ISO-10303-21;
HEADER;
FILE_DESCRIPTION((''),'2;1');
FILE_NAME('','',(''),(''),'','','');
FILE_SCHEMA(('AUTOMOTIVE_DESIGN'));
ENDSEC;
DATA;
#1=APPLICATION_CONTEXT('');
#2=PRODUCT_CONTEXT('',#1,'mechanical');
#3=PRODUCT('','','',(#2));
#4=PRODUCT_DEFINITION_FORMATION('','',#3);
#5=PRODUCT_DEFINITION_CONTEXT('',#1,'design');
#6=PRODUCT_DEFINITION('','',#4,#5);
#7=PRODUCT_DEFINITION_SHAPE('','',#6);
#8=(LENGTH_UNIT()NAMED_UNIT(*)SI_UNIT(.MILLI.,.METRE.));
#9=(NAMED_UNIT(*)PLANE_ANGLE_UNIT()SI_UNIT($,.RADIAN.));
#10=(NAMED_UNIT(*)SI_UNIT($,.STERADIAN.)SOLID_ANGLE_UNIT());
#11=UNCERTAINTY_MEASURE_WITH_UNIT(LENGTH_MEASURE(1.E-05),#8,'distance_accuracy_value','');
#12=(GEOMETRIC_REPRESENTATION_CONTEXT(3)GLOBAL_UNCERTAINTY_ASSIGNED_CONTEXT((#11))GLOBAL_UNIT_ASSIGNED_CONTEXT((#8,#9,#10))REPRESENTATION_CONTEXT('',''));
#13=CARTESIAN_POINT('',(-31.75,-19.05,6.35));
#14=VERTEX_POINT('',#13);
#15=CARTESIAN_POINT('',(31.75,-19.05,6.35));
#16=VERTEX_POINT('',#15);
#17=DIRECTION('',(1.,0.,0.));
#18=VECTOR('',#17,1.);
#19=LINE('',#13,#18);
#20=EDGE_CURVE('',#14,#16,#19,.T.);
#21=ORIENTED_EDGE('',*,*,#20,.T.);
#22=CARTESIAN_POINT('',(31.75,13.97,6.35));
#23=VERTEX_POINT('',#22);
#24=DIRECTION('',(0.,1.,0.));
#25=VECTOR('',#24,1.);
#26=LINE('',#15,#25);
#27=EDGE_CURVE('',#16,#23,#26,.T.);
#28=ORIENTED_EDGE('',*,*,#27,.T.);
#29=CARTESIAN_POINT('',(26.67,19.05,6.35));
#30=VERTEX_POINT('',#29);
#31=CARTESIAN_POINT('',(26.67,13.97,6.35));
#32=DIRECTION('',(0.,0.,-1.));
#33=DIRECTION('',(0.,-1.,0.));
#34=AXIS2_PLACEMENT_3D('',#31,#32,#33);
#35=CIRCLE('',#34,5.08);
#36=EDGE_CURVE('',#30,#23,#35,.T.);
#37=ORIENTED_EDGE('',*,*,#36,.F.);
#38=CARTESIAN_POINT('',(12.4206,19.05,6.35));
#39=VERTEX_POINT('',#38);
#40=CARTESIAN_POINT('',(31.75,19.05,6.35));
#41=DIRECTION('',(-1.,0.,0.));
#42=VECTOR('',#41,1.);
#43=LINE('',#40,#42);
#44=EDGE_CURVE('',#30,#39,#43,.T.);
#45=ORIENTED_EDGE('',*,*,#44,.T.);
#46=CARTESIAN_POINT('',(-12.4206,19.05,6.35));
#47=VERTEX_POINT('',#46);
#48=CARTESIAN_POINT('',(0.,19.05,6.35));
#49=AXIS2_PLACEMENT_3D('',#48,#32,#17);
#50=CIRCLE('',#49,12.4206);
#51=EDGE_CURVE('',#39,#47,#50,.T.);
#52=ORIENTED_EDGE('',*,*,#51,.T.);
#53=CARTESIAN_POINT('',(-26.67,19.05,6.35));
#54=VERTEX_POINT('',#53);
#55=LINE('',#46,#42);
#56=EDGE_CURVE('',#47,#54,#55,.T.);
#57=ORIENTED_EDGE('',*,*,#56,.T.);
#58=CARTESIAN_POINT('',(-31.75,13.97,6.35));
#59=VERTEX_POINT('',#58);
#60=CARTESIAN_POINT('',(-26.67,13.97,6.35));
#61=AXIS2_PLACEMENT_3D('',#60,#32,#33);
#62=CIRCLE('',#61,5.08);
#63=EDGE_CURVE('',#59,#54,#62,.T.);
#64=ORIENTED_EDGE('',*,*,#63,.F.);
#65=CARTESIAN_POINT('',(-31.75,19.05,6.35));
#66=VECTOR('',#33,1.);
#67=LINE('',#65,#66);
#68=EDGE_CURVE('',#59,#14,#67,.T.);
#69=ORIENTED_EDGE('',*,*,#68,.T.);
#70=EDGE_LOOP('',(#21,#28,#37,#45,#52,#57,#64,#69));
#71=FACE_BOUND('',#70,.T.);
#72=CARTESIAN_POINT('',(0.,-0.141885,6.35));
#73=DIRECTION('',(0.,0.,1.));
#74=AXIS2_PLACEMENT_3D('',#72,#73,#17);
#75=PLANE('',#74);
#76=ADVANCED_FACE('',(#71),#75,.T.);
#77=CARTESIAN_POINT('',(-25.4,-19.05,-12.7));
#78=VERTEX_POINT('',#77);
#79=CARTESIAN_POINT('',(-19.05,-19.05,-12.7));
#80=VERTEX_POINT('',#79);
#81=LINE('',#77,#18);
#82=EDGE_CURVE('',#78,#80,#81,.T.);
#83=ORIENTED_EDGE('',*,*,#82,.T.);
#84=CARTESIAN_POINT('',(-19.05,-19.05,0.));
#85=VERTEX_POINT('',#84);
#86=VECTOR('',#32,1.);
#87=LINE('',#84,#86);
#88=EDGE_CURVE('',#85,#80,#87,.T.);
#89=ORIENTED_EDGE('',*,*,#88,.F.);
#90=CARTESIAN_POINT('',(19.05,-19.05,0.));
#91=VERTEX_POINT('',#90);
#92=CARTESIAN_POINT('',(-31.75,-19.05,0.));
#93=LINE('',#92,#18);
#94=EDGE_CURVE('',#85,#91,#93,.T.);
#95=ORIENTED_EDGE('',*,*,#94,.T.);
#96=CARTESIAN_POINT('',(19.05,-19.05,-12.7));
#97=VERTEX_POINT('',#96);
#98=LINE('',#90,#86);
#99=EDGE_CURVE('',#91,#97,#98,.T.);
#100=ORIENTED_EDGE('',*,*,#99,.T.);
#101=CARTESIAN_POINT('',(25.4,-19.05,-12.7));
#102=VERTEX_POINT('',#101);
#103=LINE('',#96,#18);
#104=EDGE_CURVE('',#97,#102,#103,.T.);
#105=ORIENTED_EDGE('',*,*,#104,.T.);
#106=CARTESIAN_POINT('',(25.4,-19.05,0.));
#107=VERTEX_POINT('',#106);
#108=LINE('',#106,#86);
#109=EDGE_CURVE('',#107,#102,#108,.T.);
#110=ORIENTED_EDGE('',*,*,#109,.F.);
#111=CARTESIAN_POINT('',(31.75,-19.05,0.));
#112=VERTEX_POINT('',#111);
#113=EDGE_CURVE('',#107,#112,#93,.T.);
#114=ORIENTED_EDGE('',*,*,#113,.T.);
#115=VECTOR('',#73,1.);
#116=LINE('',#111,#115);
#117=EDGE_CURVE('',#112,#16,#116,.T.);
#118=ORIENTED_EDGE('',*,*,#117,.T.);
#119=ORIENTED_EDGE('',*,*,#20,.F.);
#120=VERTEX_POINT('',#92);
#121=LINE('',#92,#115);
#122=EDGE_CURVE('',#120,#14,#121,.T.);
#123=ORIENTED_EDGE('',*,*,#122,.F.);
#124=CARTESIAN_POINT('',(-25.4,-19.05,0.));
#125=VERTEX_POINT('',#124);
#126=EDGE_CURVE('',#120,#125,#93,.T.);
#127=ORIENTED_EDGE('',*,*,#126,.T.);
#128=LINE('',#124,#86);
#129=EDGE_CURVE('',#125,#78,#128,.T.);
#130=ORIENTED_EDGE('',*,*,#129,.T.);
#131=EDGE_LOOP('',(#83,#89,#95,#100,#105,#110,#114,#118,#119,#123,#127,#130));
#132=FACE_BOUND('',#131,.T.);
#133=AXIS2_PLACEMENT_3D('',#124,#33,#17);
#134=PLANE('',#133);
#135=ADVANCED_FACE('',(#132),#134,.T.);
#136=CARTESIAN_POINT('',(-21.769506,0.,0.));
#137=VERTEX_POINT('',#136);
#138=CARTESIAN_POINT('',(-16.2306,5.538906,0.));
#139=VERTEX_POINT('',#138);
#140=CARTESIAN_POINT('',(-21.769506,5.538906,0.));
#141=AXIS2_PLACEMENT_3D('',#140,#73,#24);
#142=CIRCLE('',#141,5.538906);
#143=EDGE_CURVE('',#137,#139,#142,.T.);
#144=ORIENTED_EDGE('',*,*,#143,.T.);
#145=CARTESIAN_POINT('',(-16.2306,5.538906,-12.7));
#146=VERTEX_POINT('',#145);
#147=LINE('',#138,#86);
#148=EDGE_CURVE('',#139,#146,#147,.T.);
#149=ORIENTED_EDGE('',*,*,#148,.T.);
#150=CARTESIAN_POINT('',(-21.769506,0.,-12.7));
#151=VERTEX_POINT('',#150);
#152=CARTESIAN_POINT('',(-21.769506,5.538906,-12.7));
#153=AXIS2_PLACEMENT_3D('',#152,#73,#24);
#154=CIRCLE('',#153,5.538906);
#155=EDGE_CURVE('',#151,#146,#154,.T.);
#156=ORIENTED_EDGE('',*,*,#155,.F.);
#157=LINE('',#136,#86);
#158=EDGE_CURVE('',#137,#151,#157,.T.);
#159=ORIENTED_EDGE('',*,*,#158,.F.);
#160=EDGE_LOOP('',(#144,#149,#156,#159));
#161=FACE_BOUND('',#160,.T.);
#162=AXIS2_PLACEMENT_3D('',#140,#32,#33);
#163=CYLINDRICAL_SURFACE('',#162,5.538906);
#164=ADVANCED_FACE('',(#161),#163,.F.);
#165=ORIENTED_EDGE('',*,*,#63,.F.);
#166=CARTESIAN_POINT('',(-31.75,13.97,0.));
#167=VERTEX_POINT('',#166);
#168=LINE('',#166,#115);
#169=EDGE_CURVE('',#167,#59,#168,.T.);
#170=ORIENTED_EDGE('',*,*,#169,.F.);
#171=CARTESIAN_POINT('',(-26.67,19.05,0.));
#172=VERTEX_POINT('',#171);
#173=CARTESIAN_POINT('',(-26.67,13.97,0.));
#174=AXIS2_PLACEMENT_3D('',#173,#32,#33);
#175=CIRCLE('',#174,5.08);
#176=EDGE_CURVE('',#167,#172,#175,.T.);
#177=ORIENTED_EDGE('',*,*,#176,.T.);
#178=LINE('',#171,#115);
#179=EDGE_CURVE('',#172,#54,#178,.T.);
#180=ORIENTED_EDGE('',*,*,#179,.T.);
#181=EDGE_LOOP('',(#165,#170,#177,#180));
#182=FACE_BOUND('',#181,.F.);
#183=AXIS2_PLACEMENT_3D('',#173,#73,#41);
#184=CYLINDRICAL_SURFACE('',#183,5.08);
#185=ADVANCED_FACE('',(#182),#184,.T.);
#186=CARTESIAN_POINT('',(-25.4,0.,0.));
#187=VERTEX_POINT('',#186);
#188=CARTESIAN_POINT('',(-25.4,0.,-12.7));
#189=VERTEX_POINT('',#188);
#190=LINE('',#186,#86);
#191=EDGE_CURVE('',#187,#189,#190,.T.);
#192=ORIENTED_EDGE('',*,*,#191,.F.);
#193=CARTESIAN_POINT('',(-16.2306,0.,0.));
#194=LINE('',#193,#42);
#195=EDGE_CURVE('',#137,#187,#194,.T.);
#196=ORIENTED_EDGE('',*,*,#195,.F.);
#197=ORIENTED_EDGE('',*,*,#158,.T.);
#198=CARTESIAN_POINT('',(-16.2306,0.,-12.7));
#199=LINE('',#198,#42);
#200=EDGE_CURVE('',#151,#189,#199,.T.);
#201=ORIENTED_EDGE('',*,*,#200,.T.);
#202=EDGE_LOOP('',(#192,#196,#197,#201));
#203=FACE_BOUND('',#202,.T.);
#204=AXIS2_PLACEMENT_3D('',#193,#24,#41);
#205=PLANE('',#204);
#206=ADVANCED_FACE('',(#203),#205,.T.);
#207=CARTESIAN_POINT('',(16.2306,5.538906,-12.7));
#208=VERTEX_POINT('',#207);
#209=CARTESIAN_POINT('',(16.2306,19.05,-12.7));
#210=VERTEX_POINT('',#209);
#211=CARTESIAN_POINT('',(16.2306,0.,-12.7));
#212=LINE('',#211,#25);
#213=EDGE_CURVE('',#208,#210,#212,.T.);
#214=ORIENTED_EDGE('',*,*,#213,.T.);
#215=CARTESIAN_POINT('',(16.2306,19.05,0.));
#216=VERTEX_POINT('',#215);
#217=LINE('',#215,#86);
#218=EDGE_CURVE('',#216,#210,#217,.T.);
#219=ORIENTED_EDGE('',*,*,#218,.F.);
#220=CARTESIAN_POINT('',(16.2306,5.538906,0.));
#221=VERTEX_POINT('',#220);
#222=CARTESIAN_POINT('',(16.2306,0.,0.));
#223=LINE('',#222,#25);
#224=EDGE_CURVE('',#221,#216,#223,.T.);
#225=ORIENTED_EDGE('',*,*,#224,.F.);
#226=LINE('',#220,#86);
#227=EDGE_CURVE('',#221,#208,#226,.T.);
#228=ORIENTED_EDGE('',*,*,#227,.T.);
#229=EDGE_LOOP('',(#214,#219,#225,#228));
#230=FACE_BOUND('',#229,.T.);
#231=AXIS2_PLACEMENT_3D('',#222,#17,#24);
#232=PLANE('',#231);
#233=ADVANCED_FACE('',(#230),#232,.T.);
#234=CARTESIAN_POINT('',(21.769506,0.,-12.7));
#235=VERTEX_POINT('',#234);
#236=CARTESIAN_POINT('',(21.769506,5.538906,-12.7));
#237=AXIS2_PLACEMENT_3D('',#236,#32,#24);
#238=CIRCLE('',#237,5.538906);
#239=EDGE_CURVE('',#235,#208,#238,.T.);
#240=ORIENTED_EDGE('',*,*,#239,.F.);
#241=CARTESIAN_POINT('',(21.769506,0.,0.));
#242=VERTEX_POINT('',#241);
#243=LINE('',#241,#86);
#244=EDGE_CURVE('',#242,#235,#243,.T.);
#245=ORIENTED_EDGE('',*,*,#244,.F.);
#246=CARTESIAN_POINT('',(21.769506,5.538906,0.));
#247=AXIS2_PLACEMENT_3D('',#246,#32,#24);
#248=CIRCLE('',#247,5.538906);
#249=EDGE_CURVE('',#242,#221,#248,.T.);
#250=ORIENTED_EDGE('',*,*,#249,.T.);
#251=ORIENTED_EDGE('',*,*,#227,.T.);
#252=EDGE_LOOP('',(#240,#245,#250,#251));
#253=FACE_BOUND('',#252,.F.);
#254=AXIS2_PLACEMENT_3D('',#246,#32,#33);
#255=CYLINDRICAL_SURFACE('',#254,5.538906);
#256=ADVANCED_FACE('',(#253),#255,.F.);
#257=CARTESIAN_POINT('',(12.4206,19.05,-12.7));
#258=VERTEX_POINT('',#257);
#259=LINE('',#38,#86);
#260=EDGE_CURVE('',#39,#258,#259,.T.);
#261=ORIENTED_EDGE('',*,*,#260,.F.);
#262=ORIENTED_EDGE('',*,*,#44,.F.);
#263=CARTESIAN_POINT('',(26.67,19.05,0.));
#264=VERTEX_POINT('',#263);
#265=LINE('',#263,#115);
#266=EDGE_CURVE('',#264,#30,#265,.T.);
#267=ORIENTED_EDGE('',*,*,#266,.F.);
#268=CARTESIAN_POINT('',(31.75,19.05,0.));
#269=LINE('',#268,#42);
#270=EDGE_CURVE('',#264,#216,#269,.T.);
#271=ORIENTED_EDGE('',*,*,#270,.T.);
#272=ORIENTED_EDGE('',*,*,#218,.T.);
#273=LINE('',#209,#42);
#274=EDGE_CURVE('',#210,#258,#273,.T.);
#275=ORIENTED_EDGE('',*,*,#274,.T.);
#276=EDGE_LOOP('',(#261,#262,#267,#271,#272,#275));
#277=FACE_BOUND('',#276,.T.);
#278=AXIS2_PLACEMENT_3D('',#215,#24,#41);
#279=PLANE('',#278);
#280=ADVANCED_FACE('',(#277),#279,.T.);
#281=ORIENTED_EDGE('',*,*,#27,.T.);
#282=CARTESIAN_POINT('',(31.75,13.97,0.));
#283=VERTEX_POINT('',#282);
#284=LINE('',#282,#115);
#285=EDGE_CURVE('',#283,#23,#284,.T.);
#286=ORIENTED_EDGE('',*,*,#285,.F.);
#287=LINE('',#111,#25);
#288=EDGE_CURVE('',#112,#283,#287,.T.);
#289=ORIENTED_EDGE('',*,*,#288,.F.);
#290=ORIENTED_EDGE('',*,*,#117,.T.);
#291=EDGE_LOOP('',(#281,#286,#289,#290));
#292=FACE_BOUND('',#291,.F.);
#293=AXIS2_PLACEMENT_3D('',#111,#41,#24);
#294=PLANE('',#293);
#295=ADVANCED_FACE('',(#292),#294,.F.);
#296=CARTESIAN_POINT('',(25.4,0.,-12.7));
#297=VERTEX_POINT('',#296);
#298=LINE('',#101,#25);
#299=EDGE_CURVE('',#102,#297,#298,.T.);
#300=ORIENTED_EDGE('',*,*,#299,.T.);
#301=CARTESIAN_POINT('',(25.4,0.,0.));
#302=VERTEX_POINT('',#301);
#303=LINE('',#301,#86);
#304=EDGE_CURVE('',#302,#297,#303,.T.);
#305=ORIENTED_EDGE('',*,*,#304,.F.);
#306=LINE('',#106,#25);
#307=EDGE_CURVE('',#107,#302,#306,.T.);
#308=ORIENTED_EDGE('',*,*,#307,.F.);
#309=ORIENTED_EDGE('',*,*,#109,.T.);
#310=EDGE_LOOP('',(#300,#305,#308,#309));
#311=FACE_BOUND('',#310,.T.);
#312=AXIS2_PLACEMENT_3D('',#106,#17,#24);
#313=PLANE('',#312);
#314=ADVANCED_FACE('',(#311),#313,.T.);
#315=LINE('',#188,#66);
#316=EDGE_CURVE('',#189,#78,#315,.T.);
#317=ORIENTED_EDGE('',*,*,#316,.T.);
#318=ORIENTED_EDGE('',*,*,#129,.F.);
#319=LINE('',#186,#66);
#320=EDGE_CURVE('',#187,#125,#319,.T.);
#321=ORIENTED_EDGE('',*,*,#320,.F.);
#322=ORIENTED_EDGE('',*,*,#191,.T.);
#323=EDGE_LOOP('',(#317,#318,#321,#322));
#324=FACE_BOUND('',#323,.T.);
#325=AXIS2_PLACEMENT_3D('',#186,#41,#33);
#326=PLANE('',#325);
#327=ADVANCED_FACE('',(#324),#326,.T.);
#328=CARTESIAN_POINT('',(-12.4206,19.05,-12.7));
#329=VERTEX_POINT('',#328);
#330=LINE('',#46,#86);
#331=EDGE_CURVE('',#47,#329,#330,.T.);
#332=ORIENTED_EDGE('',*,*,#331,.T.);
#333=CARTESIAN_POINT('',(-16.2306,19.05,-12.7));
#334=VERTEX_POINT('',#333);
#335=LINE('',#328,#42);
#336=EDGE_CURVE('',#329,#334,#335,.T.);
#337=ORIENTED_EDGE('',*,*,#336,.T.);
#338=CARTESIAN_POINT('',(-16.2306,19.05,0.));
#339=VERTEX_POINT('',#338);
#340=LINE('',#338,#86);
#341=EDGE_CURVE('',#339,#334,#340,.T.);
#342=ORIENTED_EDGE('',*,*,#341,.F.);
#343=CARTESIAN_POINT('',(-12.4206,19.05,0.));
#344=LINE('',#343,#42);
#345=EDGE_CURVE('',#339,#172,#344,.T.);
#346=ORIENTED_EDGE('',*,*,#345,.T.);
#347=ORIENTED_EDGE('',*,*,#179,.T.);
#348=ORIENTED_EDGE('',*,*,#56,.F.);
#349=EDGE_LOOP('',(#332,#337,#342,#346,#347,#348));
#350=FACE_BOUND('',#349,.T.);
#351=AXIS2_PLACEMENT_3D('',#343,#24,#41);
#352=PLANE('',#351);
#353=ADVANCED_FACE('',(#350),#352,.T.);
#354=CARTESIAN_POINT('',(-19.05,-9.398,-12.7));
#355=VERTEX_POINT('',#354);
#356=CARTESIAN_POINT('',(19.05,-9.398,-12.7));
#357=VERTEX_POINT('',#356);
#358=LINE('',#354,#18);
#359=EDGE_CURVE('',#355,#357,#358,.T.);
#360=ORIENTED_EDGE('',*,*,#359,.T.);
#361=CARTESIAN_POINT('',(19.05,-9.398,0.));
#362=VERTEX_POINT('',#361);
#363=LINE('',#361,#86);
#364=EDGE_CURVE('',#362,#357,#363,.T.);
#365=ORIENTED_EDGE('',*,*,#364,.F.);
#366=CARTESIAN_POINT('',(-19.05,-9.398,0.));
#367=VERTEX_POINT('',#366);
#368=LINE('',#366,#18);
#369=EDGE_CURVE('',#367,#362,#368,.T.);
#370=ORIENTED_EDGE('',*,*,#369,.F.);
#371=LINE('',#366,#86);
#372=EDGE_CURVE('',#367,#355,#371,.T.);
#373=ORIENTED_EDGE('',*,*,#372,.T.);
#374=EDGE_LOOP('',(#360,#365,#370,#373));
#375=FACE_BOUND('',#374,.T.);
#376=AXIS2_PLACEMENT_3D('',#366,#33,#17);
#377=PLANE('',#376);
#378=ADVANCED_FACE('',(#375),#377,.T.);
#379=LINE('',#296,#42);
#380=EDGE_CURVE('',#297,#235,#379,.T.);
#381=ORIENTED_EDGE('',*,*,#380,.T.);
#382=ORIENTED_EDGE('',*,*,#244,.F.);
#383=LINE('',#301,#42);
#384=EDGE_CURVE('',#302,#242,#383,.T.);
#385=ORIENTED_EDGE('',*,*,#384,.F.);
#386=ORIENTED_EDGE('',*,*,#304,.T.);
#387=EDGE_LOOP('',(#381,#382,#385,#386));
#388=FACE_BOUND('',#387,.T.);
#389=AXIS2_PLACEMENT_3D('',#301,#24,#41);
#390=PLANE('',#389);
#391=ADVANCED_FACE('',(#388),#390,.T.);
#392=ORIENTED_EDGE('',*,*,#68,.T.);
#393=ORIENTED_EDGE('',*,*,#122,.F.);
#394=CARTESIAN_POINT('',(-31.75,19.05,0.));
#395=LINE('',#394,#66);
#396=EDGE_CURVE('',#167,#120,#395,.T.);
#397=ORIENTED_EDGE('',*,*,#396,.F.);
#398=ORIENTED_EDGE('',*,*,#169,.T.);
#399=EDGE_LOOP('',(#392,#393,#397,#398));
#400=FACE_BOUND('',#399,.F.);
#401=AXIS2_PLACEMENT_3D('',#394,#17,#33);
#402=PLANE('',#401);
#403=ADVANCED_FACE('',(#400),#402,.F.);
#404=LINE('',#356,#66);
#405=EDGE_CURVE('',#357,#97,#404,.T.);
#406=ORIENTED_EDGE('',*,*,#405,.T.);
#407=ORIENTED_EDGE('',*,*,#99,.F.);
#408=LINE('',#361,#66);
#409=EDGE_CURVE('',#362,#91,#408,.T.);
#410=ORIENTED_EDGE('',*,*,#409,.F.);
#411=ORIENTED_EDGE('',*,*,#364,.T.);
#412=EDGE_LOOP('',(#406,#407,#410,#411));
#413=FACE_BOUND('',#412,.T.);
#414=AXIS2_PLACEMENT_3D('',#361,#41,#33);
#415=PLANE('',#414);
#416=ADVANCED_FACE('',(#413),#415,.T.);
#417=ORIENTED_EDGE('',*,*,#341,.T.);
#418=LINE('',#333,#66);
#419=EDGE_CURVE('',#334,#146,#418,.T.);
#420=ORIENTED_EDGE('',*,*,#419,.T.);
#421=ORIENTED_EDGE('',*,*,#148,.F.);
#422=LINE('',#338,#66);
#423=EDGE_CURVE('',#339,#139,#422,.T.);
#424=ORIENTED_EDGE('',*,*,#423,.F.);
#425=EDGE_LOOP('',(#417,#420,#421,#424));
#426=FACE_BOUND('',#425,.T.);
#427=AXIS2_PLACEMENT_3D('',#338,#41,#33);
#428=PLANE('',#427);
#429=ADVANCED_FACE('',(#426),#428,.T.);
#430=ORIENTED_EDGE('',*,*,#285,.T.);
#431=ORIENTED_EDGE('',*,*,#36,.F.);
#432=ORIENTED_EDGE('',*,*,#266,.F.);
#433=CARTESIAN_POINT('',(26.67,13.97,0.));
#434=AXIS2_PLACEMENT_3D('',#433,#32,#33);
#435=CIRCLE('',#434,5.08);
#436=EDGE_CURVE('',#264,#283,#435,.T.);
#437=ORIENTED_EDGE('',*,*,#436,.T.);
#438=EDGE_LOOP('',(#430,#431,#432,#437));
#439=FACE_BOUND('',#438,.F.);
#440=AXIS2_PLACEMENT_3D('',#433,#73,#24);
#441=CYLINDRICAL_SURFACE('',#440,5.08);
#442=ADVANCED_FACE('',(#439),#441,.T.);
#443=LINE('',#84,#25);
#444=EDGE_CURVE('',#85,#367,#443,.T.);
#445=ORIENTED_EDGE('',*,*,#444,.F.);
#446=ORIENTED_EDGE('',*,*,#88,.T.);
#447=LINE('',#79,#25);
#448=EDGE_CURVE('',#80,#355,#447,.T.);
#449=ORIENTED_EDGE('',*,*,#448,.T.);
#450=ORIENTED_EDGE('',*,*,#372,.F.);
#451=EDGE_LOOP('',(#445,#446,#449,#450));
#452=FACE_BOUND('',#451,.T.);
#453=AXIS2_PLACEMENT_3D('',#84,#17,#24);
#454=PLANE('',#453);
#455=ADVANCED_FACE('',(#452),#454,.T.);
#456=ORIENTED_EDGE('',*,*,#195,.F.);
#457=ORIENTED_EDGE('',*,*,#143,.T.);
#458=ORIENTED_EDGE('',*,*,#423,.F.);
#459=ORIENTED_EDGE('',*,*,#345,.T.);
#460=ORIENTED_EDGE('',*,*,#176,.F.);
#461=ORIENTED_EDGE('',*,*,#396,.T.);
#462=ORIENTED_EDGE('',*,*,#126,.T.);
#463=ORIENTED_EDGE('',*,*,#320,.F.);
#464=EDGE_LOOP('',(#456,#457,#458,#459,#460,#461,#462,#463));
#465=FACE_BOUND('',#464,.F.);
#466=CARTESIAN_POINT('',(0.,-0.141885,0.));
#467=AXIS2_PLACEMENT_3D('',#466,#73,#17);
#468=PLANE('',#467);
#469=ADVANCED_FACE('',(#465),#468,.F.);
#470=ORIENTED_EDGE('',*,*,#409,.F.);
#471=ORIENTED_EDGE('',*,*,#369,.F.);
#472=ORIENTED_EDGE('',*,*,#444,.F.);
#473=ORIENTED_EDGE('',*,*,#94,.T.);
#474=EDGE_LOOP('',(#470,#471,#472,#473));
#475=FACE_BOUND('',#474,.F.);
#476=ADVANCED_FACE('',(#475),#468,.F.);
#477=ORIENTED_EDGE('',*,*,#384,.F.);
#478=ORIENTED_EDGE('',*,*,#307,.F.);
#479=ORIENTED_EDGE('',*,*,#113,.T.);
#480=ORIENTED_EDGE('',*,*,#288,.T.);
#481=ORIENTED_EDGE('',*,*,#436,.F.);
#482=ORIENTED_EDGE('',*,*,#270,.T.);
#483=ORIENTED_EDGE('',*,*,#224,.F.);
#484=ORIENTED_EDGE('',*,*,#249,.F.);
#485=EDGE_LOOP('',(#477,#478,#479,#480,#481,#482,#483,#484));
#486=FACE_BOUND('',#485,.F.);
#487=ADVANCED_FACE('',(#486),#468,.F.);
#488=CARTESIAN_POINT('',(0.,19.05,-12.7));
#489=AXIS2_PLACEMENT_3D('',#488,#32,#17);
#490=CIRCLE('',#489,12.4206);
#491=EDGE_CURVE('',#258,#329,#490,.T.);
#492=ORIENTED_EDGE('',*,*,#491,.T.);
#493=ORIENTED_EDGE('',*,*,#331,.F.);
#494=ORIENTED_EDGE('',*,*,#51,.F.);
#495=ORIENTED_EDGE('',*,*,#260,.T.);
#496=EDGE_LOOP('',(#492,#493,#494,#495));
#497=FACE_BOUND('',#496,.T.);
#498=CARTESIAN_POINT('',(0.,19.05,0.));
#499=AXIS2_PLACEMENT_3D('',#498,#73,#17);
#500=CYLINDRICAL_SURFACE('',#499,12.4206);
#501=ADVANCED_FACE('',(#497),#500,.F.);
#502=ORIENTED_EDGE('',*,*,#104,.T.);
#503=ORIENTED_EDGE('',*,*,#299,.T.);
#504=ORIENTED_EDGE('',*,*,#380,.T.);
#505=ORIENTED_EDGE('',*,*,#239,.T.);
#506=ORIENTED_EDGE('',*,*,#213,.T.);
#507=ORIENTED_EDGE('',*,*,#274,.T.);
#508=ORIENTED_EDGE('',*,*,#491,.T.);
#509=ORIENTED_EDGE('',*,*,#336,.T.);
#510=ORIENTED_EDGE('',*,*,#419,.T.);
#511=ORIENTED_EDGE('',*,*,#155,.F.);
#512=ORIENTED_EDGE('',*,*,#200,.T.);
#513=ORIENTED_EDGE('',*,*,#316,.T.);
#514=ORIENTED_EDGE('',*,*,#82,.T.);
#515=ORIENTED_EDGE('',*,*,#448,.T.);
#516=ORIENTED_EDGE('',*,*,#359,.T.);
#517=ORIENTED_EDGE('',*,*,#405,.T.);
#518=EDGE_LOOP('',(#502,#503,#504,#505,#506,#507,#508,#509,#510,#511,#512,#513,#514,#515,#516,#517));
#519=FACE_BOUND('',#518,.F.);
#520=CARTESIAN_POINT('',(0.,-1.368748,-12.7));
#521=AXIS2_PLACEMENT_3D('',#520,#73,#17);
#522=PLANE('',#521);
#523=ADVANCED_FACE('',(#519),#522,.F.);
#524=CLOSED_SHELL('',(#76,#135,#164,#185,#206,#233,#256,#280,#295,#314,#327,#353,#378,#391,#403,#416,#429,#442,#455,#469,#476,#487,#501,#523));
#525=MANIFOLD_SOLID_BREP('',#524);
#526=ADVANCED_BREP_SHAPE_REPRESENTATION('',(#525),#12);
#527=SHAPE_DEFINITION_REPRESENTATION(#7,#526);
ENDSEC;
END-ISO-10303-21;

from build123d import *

# Parameters (mm, degrees)
F1_DEPTH = 6.35
F3_DEPTH = 12.7
F4_R     = 5.538906
F5_R     = 5.08


with BuildPart() as f1:
    # F0 (on Top) → F1 (new body)
    with BuildSketch(Plane.XY):
        with BuildLine():
            Line((-12.4206, 19.05), (-31.75, 19.05))
            Line((-31.75, 19.05), (-31.75, -19.05))
            Line((-31.75, -19.05), (31.75, -19.05))
            Line((31.75, -19.05), (31.75, 19.05))
            Line((31.75, 19.05), (12.4206, 19.05))
            ThreePointArc((12.4206, 19.05), (0, 6.6294), (-12.4206, 19.05))
        make_face()
    extrude(amount=F1_DEPTH)

    # F2 (on Top) → F3 (join)
    with BuildSketch(Plane.XY):
        with BuildLine():
            Line((-12.4206, 19.05), (-16.2306, 19.05))
            Line((-16.2306, 19.05), (-16.2306, 0))
            Line((-16.2306, 0), (-25.4, 0))
            Line((-25.4, 0), (-25.4, -19.05))
            Line((-25.4, -19.05), (-19.05, -19.05))
            Line((-19.05, -19.05), (-19.05, -9.398))
            Line((-19.05, -9.398), (19.05, -9.398))
            Line((19.05, -9.398), (19.05, -19.05))
            Line((19.05, -19.05), (25.4, -19.05))
            Line((25.4, -19.05), (25.4, 0))
            Line((25.4, 0), (16.2306, 0))
            Line((16.2306, 0), (16.2306, 19.05))
            Line((16.2306, 19.05), (12.4206, 19.05))
            ThreePointArc((12.4206, 19.05), (0, 6.6294), (-12.4206, 19.05))
        make_face()
    extrude(amount=-F3_DEPTH)

    # F4
    f4_edges = [f1.edges().sort_by_distance(p)[0] for p in [
        (16.2306, 0, -6.35),
        (-16.2306, 0, -6.35),
    ]]
    fillet(f4_edges, radius=F4_R)

    # F5
    f5_edges = [f1.edges().sort_by_distance(p)[0] for p in [
        (31.75, 19.05, 3.175),
        (-31.75, 19.05, 3.175),
    ]]
    fillet(f5_edges, radius=F5_R)


solid = f1.part
